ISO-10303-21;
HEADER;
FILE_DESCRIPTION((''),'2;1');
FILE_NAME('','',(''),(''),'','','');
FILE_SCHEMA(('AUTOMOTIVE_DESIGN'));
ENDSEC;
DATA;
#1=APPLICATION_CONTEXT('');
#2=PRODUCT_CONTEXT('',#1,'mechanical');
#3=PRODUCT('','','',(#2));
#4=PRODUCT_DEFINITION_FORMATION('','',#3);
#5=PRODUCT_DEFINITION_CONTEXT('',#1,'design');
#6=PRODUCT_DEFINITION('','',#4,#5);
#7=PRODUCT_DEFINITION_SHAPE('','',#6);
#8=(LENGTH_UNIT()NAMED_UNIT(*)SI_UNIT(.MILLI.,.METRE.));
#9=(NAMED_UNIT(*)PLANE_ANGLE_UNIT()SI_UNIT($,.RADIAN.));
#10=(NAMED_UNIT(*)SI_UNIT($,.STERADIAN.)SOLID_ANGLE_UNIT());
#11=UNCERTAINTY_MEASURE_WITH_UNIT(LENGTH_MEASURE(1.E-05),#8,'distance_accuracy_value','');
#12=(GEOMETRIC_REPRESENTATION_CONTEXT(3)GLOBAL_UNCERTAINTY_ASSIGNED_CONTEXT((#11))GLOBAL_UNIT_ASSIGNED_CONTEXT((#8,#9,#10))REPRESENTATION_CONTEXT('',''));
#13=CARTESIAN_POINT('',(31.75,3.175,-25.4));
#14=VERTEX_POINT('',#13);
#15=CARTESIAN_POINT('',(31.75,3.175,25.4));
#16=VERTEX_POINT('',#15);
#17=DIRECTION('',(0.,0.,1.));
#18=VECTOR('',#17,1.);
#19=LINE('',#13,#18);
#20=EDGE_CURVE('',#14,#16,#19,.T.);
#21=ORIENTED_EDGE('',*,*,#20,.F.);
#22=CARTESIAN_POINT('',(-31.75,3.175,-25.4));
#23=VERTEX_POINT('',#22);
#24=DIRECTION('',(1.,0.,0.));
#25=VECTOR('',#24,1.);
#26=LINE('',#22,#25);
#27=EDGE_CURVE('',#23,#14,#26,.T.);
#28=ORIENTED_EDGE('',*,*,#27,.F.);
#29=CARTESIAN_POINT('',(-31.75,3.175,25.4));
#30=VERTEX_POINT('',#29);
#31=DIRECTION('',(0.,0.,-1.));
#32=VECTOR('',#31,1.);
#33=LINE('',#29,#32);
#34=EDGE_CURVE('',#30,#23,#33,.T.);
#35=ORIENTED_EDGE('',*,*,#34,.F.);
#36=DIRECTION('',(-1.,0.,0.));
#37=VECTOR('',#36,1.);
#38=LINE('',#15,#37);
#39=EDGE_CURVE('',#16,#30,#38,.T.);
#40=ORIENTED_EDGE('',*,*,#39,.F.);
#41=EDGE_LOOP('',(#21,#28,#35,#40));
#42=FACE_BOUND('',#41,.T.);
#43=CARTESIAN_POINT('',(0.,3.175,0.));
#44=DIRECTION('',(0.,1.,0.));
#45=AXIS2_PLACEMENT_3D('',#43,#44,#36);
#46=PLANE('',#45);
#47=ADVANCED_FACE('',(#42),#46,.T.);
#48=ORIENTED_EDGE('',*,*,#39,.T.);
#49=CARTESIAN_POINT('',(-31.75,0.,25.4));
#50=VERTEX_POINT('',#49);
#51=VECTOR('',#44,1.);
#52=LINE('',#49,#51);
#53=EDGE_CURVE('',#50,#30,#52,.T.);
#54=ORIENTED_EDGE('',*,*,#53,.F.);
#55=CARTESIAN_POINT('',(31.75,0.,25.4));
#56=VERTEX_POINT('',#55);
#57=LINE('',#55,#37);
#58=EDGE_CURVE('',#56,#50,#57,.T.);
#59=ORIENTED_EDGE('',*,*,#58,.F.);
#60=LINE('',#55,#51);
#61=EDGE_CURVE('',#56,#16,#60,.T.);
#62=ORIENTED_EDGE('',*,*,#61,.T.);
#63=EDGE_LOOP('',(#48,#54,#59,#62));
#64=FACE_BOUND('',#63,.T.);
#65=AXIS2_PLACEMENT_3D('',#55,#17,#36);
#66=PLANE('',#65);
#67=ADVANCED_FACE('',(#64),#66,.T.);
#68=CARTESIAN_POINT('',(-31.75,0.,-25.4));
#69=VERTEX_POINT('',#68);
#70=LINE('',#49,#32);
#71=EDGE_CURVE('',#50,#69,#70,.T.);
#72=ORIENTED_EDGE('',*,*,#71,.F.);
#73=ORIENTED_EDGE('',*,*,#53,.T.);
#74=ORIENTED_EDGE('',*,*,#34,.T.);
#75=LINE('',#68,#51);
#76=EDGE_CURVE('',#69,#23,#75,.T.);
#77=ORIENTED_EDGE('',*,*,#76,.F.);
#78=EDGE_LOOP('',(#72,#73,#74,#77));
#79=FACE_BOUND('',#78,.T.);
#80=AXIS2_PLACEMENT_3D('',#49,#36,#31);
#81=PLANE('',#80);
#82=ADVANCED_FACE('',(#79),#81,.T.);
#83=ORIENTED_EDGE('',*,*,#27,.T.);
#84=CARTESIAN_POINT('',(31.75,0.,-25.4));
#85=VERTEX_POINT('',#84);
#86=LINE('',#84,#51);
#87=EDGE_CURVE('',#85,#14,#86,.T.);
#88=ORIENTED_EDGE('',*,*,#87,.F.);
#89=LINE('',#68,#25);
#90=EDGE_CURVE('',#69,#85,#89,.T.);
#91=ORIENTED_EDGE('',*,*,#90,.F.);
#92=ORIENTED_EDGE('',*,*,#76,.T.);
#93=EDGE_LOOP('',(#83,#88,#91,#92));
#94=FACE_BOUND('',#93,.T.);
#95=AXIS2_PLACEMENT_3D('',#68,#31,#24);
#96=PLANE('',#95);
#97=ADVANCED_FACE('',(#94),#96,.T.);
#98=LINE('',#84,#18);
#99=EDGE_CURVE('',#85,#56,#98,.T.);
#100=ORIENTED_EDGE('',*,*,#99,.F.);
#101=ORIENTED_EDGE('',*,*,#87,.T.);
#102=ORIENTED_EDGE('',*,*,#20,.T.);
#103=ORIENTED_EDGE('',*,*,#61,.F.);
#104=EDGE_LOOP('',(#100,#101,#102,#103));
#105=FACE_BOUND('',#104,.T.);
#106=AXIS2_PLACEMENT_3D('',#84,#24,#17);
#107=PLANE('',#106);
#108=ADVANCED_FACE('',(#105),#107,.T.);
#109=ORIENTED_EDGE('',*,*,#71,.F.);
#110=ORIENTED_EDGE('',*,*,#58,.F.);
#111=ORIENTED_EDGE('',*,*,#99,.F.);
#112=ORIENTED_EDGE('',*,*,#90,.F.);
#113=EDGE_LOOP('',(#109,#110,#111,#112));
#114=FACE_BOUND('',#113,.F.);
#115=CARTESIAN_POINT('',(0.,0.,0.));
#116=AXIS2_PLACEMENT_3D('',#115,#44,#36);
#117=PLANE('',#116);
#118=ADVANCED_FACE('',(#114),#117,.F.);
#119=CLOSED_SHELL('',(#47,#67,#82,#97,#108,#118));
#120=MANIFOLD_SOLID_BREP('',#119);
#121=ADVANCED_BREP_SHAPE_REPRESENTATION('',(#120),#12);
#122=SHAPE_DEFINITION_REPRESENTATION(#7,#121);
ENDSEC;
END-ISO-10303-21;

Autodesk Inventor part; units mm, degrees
ref_plane "YZ Plane" through (0, 0, 0) normal (1, 0, 0) x (0, 1, 0)
ref_plane "XZ Plane" through (0, 0, 0) normal (0, 1, 0) x (-1, 0, 0)
ref_plane "XY Plane" through (0, 0, 0) normal (0, 0, 1) x (1, 0, 0)
sketch "Sketch1" plane through (0, 0, 0) normal (0, 1, 0) x (-1, 0, 0)
  line L0 (-31.75, 25.4) -> (31.75, 25.4)
  line L1 (31.75, 25.4) -> (31.75, -25.4)
  line L2 (31.75, -25.4) -> (-31.75, -25.4)
  line L3 (-31.75, -25.4) -> (-31.75, 25.4)
  line L4 (-31.75, 25.4) -> (31.75, -25.4) construction
  line L5 (31.75, 25.4) -> (-31.75, -25.4) construction
  point P0 (0, 0)
  dimension "d0" = 63.5
  dimension "d1" = 50.8
extrude "Extrusion1" add sketch "Sketch1" along normal blind 3.175
properties part number "Cover - Back" material "UHMW, White"
